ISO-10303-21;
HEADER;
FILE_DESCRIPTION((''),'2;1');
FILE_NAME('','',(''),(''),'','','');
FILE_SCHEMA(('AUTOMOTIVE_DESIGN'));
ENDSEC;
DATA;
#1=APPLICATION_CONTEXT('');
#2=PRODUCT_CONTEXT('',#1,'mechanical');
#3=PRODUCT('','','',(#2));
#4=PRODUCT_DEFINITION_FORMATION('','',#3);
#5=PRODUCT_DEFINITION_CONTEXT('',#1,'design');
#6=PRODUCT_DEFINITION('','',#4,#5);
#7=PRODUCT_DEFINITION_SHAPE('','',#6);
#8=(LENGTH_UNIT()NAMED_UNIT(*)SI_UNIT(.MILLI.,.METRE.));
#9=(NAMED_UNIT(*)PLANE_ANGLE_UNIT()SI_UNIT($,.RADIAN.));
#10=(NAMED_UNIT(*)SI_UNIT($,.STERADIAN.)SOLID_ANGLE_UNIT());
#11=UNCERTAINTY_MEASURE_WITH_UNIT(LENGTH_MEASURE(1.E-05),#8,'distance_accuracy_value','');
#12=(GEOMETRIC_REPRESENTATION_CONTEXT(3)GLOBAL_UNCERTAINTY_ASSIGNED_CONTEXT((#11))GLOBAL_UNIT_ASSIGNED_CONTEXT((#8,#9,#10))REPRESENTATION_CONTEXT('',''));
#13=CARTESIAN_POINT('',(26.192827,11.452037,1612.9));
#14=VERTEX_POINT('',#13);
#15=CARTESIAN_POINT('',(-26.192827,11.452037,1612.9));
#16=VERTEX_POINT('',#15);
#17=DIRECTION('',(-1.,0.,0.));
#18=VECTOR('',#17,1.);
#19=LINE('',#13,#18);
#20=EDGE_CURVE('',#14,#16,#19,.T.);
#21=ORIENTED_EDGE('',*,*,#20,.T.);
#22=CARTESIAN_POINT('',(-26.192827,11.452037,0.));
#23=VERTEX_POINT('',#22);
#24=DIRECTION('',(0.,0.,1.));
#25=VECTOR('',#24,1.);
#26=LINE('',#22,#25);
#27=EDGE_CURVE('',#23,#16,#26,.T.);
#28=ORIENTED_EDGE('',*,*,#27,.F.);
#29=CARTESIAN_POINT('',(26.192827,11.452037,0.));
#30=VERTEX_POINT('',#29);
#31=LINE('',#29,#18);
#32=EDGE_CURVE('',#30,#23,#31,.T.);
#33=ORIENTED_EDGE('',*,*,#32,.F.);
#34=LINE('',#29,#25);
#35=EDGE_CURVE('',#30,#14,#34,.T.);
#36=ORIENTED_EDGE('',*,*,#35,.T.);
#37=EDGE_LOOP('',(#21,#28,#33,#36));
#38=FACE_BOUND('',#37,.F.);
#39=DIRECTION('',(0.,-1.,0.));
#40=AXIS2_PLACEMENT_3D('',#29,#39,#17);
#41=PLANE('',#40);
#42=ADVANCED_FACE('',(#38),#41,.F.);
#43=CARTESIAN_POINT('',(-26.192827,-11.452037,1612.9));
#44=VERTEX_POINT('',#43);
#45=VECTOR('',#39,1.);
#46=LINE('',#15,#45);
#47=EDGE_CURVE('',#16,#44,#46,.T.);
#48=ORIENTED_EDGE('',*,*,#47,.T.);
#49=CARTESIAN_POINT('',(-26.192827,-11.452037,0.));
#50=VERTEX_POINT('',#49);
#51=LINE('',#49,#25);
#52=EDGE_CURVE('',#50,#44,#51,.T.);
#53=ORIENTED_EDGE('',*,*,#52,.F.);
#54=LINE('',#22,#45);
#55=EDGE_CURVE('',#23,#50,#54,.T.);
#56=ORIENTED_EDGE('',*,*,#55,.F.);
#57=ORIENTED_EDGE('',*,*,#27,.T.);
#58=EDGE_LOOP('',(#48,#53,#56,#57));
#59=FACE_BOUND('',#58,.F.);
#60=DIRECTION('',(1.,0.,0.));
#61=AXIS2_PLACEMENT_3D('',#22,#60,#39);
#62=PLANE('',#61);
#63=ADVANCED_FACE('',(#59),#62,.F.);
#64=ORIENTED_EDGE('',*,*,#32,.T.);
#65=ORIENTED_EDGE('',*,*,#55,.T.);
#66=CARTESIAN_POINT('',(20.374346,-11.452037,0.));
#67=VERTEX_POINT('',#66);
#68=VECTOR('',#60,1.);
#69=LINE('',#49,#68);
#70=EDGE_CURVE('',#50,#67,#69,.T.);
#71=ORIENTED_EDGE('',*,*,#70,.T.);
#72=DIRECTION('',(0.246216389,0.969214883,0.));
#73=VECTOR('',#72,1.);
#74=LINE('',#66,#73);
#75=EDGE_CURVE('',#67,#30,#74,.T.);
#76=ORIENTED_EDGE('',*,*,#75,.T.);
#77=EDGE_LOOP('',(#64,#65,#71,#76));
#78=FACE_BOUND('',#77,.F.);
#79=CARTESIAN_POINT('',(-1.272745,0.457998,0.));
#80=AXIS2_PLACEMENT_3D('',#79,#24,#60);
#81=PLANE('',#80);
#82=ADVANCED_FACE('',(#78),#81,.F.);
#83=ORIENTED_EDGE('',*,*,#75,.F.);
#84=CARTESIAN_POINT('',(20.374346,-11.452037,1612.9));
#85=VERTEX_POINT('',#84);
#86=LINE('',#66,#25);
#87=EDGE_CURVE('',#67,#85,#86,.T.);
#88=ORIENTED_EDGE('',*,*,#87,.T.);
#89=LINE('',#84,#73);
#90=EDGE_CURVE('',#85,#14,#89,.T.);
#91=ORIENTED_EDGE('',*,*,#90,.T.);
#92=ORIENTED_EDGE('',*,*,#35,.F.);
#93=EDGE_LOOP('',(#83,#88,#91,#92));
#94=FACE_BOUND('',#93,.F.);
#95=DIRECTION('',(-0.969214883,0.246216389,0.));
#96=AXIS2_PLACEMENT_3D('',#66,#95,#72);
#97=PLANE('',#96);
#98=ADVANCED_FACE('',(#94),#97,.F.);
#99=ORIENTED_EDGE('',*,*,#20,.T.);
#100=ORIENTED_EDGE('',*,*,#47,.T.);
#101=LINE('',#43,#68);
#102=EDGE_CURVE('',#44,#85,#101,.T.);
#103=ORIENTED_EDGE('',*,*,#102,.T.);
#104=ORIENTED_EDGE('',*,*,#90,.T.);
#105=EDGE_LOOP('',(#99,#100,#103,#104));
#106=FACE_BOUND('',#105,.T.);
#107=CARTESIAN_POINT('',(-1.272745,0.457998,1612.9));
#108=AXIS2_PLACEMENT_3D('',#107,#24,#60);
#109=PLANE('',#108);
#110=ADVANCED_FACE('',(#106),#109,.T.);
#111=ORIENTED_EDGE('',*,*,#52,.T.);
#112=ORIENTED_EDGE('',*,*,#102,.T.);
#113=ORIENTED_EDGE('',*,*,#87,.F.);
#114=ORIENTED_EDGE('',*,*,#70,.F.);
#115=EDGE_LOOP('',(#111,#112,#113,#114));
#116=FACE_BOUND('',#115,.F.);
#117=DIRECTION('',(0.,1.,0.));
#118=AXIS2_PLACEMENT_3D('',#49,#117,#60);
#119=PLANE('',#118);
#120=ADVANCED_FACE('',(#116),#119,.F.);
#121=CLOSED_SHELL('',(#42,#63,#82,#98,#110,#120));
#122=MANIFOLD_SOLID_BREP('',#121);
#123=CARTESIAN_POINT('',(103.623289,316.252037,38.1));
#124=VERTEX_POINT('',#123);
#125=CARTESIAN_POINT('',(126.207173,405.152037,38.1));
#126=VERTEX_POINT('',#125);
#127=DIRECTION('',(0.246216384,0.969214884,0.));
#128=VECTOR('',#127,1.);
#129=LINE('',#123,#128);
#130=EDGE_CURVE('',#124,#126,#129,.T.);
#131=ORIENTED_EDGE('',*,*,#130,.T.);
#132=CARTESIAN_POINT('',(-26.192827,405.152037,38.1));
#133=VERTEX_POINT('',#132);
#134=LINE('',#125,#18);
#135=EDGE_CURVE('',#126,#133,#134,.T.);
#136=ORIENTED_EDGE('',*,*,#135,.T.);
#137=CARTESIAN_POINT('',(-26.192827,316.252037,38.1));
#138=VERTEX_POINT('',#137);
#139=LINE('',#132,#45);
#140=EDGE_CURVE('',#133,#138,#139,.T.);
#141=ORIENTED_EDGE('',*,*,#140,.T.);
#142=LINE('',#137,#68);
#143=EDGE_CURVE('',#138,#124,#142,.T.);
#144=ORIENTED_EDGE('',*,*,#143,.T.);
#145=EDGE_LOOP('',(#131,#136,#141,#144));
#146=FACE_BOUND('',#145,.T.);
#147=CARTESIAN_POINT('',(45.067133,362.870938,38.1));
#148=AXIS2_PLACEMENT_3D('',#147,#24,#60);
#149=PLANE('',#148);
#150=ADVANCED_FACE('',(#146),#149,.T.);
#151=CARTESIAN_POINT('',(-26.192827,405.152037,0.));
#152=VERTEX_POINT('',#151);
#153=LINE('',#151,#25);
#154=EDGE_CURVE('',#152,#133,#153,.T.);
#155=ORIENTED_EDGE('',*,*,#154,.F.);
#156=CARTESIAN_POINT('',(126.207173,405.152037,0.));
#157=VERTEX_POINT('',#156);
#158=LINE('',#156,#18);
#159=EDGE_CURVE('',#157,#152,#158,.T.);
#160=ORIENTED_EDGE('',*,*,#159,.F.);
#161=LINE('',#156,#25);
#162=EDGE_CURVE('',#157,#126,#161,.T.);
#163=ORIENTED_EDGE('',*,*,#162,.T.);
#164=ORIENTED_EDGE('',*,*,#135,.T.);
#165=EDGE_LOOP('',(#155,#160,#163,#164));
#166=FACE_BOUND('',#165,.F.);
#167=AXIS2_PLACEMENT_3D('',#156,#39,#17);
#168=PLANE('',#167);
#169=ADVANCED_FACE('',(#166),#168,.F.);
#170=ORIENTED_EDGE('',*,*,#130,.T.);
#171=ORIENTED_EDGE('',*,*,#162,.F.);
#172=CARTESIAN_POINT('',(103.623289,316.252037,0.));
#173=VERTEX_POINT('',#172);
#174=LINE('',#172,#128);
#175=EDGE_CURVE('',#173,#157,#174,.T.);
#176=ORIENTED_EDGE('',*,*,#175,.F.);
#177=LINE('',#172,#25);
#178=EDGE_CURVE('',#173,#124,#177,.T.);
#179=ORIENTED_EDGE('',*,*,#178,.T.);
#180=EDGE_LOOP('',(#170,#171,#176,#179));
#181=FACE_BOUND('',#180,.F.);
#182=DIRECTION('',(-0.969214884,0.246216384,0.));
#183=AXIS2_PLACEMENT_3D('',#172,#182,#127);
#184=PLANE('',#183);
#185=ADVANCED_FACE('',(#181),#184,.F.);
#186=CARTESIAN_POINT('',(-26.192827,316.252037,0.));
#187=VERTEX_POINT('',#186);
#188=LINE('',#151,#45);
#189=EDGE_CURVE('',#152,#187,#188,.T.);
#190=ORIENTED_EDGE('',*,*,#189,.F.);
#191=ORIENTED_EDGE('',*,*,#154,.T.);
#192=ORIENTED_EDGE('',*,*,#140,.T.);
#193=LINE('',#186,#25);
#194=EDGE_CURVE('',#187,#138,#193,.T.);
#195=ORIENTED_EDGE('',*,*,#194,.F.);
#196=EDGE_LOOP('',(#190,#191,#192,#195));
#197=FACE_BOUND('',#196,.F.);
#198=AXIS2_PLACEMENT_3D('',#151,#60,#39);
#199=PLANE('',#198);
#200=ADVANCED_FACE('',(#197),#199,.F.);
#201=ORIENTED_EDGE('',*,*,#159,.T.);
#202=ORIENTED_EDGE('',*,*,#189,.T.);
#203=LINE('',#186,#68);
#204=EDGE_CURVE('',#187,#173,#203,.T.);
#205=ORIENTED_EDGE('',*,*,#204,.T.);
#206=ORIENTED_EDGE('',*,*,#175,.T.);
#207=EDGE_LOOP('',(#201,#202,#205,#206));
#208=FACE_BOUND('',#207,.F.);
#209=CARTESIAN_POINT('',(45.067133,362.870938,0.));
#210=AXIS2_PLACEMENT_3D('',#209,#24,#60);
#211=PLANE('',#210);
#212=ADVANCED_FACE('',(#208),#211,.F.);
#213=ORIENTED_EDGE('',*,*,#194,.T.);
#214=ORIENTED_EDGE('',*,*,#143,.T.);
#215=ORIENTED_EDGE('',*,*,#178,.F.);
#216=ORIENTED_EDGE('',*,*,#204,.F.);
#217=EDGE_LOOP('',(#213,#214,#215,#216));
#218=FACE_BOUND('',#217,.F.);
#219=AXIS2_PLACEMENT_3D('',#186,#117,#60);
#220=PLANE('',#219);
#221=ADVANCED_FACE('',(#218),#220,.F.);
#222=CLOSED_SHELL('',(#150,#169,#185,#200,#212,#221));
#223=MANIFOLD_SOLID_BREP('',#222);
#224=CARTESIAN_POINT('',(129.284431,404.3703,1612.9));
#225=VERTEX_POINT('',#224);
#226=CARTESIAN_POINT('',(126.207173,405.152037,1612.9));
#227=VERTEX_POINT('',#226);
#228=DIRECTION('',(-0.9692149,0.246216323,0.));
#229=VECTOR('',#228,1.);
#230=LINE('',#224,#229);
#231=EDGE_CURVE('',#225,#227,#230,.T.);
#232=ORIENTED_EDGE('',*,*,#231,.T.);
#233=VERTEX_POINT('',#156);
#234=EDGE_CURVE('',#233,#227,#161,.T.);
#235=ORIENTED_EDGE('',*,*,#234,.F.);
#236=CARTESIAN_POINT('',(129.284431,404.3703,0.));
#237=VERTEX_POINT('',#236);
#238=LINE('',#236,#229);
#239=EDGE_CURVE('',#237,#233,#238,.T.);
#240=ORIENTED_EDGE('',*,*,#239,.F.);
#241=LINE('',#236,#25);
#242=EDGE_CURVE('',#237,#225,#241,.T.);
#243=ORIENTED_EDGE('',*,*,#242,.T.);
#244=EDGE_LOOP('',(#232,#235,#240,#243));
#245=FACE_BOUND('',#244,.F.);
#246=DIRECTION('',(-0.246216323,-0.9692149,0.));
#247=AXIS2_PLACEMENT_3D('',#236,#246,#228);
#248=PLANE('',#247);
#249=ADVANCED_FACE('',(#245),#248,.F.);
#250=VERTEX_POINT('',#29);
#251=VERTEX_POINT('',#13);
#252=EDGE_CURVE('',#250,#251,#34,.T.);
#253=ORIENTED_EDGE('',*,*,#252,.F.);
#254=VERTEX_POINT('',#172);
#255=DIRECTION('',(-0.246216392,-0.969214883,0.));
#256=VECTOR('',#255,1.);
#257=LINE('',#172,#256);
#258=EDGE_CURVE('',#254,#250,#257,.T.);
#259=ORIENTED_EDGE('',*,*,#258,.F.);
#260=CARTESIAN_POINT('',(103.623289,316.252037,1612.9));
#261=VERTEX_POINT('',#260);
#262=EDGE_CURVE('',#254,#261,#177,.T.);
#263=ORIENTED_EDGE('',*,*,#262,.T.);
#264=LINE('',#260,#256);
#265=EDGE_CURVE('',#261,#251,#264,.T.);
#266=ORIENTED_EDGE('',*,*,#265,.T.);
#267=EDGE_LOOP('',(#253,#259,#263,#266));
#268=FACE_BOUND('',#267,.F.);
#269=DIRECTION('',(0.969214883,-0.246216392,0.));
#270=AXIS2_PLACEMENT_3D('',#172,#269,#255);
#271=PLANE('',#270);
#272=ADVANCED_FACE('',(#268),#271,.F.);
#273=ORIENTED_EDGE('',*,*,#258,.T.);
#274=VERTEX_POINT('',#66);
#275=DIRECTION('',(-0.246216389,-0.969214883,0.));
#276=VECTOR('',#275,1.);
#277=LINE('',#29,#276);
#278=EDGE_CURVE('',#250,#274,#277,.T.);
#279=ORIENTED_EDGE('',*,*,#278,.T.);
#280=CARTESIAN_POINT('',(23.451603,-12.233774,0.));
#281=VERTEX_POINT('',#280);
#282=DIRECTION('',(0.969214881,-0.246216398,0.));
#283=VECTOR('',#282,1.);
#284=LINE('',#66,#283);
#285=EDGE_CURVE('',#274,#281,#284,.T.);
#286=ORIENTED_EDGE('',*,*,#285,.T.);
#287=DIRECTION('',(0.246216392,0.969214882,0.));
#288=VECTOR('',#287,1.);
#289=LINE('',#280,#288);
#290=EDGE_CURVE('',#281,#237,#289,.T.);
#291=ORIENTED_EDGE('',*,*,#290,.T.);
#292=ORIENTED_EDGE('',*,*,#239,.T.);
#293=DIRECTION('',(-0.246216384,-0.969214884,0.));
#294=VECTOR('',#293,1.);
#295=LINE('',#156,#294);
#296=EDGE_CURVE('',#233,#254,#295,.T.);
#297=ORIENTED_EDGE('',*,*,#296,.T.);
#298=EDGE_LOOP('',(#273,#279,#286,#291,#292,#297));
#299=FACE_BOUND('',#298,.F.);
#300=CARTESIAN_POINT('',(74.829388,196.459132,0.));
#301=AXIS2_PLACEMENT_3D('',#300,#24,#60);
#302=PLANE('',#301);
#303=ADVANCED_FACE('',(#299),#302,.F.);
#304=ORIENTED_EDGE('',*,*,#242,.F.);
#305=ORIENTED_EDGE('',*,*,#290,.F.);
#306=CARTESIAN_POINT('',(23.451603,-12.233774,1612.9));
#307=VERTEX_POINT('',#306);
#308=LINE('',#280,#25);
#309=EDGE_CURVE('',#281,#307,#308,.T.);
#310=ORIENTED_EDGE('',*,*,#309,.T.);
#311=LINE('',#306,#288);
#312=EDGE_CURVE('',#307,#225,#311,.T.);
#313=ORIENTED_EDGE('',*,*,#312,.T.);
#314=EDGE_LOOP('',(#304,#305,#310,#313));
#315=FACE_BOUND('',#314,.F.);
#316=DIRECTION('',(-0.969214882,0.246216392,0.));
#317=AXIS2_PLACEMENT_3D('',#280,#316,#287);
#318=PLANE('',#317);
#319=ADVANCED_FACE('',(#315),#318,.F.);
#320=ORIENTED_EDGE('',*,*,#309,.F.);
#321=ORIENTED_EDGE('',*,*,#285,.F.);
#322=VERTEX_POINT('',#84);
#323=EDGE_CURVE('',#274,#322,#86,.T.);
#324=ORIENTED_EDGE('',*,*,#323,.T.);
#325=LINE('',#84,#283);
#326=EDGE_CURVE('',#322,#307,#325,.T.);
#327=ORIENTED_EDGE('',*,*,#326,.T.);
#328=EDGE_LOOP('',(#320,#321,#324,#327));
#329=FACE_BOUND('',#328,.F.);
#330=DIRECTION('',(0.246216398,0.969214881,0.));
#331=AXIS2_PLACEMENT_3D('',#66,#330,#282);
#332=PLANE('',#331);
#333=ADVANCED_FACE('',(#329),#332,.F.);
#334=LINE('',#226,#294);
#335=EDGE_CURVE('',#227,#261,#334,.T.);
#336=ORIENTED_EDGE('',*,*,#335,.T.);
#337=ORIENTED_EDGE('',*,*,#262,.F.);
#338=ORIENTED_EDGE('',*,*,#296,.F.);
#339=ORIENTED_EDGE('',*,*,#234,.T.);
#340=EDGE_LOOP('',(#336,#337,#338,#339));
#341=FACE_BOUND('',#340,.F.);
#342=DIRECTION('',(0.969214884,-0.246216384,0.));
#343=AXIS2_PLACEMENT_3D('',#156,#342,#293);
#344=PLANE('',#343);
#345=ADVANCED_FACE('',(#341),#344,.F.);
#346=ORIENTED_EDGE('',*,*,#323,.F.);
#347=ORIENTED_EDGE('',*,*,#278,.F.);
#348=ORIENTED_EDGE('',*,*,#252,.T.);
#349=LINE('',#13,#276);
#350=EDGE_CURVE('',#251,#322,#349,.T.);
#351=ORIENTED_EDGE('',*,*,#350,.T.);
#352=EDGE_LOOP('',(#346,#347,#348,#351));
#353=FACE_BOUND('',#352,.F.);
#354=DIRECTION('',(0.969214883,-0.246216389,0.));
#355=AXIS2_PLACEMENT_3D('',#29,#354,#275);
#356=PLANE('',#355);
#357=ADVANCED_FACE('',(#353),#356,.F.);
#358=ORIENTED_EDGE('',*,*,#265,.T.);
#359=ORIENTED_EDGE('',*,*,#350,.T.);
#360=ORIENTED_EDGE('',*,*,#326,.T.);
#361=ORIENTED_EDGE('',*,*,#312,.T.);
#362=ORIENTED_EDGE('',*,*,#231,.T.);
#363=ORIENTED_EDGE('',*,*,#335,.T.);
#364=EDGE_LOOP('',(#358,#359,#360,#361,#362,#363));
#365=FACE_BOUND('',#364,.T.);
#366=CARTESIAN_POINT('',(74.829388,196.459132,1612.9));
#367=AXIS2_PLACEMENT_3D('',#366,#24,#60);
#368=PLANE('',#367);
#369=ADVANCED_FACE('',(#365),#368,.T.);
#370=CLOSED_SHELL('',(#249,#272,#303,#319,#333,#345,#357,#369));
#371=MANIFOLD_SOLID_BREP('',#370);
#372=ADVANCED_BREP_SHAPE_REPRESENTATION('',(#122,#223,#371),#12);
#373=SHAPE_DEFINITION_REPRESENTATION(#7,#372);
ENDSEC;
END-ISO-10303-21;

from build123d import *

# Parameters (mm, degrees)
F1_DEPTH = 1612.9
F2_DEPTH = 38.1
F3_DEPTH = 1612.9


with BuildPart() as f1:
    # F0 (on Top) → F1 (new body)
    with BuildSketch(Plane.XY):
        Polygon((-26.192827, 11.452037), (-26.192827, -11.452037), (20.374346, -11.452037), (26.192827, 11.452037), align=None)
    extrude(amount=F1_DEPTH)


with BuildPart() as f2:
    # F0 (on Top) → F2 (new body)
    with BuildSketch(Plane.XY):
        Polygon((-26.192827, 316.252037), (103.623289, 316.252037), (126.207173, 405.152037), (-26.192827, 405.152037), align=None)
    extrude(amount=F2_DEPTH)


with BuildPart() as f3:
    # F0 (on Top) → F3 (new body)
    with BuildSketch(Plane.XY):
        Polygon((26.192827, 11.452037), (20.374346, -11.452037), (23.451603, -12.233774), (129.284431, 404.3703), (126.207173, 405.152037), (103.623289, 316.252037), align=None)
    extrude(amount=F3_DEPTH)


solid = Compound([f1.part, f2.part, f3.part])
